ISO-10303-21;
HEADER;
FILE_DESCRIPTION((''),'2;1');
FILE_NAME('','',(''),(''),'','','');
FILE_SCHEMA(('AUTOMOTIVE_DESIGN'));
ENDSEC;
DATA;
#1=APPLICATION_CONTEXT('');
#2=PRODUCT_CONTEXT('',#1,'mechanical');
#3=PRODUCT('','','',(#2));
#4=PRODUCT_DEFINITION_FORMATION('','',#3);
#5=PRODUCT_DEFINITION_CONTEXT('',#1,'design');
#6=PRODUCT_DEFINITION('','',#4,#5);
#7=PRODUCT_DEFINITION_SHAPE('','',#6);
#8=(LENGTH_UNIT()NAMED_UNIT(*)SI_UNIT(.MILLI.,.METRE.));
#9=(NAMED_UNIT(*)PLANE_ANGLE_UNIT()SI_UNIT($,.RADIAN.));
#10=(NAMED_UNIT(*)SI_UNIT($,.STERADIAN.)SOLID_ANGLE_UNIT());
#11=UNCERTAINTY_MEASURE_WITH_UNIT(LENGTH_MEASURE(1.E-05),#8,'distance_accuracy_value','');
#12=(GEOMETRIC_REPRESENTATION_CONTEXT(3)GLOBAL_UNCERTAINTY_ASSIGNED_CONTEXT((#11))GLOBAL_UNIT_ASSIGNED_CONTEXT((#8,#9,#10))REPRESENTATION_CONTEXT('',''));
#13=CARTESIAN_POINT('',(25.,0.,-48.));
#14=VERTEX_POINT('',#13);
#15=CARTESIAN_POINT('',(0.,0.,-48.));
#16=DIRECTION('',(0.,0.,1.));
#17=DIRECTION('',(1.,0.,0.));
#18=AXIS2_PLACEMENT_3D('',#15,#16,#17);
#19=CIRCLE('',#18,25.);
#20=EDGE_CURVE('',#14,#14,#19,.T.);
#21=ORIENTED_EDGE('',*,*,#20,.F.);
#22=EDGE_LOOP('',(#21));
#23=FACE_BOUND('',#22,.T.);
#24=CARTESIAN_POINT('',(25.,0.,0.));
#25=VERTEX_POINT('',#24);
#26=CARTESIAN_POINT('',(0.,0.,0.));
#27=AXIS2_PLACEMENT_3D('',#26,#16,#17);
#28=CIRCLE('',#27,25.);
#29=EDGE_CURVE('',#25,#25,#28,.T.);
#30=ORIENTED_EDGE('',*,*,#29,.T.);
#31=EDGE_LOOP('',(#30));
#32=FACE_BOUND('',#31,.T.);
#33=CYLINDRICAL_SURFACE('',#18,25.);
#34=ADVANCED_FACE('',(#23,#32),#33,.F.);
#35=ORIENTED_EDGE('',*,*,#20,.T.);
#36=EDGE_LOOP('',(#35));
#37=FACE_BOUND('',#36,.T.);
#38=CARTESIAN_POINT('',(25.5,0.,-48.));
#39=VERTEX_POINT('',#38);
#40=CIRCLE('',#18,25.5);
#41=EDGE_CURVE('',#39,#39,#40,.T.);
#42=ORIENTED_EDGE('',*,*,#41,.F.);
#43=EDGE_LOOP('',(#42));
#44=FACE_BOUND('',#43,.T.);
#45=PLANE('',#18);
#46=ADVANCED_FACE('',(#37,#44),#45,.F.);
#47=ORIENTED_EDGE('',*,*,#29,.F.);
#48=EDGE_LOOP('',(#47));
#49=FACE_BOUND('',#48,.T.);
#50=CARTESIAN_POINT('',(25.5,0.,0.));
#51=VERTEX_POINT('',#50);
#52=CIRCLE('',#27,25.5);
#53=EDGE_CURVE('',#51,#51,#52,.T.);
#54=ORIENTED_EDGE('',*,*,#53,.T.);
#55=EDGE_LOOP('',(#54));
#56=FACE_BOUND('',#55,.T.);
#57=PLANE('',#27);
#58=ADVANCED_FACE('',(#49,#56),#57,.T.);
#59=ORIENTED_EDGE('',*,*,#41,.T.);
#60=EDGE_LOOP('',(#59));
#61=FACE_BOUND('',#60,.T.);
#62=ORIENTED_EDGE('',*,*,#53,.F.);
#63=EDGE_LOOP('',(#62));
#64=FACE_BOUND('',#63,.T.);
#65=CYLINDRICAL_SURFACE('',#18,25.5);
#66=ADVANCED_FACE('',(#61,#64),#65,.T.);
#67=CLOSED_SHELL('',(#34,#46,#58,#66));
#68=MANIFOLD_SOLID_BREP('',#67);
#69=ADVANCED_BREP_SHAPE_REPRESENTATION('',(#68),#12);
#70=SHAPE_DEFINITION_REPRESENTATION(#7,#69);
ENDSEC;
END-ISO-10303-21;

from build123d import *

# Parameters (mm, degrees)
SKETCH1_R           = 25.5
SKETCH1_R_2         = 25
BOSS_EXTRUDE1_DEPTH = 48


with BuildPart() as part:
    # Sketch1 → Boss-Extrude1 (new body)
    with BuildSketch(Plane.XY):
        Circle(SKETCH1_R)
        Circle(SKETCH1_R_2, mode=Mode.SUBTRACT)
    extrude(amount=-BOSS_EXTRUDE1_DEPTH)


solid = part.part
